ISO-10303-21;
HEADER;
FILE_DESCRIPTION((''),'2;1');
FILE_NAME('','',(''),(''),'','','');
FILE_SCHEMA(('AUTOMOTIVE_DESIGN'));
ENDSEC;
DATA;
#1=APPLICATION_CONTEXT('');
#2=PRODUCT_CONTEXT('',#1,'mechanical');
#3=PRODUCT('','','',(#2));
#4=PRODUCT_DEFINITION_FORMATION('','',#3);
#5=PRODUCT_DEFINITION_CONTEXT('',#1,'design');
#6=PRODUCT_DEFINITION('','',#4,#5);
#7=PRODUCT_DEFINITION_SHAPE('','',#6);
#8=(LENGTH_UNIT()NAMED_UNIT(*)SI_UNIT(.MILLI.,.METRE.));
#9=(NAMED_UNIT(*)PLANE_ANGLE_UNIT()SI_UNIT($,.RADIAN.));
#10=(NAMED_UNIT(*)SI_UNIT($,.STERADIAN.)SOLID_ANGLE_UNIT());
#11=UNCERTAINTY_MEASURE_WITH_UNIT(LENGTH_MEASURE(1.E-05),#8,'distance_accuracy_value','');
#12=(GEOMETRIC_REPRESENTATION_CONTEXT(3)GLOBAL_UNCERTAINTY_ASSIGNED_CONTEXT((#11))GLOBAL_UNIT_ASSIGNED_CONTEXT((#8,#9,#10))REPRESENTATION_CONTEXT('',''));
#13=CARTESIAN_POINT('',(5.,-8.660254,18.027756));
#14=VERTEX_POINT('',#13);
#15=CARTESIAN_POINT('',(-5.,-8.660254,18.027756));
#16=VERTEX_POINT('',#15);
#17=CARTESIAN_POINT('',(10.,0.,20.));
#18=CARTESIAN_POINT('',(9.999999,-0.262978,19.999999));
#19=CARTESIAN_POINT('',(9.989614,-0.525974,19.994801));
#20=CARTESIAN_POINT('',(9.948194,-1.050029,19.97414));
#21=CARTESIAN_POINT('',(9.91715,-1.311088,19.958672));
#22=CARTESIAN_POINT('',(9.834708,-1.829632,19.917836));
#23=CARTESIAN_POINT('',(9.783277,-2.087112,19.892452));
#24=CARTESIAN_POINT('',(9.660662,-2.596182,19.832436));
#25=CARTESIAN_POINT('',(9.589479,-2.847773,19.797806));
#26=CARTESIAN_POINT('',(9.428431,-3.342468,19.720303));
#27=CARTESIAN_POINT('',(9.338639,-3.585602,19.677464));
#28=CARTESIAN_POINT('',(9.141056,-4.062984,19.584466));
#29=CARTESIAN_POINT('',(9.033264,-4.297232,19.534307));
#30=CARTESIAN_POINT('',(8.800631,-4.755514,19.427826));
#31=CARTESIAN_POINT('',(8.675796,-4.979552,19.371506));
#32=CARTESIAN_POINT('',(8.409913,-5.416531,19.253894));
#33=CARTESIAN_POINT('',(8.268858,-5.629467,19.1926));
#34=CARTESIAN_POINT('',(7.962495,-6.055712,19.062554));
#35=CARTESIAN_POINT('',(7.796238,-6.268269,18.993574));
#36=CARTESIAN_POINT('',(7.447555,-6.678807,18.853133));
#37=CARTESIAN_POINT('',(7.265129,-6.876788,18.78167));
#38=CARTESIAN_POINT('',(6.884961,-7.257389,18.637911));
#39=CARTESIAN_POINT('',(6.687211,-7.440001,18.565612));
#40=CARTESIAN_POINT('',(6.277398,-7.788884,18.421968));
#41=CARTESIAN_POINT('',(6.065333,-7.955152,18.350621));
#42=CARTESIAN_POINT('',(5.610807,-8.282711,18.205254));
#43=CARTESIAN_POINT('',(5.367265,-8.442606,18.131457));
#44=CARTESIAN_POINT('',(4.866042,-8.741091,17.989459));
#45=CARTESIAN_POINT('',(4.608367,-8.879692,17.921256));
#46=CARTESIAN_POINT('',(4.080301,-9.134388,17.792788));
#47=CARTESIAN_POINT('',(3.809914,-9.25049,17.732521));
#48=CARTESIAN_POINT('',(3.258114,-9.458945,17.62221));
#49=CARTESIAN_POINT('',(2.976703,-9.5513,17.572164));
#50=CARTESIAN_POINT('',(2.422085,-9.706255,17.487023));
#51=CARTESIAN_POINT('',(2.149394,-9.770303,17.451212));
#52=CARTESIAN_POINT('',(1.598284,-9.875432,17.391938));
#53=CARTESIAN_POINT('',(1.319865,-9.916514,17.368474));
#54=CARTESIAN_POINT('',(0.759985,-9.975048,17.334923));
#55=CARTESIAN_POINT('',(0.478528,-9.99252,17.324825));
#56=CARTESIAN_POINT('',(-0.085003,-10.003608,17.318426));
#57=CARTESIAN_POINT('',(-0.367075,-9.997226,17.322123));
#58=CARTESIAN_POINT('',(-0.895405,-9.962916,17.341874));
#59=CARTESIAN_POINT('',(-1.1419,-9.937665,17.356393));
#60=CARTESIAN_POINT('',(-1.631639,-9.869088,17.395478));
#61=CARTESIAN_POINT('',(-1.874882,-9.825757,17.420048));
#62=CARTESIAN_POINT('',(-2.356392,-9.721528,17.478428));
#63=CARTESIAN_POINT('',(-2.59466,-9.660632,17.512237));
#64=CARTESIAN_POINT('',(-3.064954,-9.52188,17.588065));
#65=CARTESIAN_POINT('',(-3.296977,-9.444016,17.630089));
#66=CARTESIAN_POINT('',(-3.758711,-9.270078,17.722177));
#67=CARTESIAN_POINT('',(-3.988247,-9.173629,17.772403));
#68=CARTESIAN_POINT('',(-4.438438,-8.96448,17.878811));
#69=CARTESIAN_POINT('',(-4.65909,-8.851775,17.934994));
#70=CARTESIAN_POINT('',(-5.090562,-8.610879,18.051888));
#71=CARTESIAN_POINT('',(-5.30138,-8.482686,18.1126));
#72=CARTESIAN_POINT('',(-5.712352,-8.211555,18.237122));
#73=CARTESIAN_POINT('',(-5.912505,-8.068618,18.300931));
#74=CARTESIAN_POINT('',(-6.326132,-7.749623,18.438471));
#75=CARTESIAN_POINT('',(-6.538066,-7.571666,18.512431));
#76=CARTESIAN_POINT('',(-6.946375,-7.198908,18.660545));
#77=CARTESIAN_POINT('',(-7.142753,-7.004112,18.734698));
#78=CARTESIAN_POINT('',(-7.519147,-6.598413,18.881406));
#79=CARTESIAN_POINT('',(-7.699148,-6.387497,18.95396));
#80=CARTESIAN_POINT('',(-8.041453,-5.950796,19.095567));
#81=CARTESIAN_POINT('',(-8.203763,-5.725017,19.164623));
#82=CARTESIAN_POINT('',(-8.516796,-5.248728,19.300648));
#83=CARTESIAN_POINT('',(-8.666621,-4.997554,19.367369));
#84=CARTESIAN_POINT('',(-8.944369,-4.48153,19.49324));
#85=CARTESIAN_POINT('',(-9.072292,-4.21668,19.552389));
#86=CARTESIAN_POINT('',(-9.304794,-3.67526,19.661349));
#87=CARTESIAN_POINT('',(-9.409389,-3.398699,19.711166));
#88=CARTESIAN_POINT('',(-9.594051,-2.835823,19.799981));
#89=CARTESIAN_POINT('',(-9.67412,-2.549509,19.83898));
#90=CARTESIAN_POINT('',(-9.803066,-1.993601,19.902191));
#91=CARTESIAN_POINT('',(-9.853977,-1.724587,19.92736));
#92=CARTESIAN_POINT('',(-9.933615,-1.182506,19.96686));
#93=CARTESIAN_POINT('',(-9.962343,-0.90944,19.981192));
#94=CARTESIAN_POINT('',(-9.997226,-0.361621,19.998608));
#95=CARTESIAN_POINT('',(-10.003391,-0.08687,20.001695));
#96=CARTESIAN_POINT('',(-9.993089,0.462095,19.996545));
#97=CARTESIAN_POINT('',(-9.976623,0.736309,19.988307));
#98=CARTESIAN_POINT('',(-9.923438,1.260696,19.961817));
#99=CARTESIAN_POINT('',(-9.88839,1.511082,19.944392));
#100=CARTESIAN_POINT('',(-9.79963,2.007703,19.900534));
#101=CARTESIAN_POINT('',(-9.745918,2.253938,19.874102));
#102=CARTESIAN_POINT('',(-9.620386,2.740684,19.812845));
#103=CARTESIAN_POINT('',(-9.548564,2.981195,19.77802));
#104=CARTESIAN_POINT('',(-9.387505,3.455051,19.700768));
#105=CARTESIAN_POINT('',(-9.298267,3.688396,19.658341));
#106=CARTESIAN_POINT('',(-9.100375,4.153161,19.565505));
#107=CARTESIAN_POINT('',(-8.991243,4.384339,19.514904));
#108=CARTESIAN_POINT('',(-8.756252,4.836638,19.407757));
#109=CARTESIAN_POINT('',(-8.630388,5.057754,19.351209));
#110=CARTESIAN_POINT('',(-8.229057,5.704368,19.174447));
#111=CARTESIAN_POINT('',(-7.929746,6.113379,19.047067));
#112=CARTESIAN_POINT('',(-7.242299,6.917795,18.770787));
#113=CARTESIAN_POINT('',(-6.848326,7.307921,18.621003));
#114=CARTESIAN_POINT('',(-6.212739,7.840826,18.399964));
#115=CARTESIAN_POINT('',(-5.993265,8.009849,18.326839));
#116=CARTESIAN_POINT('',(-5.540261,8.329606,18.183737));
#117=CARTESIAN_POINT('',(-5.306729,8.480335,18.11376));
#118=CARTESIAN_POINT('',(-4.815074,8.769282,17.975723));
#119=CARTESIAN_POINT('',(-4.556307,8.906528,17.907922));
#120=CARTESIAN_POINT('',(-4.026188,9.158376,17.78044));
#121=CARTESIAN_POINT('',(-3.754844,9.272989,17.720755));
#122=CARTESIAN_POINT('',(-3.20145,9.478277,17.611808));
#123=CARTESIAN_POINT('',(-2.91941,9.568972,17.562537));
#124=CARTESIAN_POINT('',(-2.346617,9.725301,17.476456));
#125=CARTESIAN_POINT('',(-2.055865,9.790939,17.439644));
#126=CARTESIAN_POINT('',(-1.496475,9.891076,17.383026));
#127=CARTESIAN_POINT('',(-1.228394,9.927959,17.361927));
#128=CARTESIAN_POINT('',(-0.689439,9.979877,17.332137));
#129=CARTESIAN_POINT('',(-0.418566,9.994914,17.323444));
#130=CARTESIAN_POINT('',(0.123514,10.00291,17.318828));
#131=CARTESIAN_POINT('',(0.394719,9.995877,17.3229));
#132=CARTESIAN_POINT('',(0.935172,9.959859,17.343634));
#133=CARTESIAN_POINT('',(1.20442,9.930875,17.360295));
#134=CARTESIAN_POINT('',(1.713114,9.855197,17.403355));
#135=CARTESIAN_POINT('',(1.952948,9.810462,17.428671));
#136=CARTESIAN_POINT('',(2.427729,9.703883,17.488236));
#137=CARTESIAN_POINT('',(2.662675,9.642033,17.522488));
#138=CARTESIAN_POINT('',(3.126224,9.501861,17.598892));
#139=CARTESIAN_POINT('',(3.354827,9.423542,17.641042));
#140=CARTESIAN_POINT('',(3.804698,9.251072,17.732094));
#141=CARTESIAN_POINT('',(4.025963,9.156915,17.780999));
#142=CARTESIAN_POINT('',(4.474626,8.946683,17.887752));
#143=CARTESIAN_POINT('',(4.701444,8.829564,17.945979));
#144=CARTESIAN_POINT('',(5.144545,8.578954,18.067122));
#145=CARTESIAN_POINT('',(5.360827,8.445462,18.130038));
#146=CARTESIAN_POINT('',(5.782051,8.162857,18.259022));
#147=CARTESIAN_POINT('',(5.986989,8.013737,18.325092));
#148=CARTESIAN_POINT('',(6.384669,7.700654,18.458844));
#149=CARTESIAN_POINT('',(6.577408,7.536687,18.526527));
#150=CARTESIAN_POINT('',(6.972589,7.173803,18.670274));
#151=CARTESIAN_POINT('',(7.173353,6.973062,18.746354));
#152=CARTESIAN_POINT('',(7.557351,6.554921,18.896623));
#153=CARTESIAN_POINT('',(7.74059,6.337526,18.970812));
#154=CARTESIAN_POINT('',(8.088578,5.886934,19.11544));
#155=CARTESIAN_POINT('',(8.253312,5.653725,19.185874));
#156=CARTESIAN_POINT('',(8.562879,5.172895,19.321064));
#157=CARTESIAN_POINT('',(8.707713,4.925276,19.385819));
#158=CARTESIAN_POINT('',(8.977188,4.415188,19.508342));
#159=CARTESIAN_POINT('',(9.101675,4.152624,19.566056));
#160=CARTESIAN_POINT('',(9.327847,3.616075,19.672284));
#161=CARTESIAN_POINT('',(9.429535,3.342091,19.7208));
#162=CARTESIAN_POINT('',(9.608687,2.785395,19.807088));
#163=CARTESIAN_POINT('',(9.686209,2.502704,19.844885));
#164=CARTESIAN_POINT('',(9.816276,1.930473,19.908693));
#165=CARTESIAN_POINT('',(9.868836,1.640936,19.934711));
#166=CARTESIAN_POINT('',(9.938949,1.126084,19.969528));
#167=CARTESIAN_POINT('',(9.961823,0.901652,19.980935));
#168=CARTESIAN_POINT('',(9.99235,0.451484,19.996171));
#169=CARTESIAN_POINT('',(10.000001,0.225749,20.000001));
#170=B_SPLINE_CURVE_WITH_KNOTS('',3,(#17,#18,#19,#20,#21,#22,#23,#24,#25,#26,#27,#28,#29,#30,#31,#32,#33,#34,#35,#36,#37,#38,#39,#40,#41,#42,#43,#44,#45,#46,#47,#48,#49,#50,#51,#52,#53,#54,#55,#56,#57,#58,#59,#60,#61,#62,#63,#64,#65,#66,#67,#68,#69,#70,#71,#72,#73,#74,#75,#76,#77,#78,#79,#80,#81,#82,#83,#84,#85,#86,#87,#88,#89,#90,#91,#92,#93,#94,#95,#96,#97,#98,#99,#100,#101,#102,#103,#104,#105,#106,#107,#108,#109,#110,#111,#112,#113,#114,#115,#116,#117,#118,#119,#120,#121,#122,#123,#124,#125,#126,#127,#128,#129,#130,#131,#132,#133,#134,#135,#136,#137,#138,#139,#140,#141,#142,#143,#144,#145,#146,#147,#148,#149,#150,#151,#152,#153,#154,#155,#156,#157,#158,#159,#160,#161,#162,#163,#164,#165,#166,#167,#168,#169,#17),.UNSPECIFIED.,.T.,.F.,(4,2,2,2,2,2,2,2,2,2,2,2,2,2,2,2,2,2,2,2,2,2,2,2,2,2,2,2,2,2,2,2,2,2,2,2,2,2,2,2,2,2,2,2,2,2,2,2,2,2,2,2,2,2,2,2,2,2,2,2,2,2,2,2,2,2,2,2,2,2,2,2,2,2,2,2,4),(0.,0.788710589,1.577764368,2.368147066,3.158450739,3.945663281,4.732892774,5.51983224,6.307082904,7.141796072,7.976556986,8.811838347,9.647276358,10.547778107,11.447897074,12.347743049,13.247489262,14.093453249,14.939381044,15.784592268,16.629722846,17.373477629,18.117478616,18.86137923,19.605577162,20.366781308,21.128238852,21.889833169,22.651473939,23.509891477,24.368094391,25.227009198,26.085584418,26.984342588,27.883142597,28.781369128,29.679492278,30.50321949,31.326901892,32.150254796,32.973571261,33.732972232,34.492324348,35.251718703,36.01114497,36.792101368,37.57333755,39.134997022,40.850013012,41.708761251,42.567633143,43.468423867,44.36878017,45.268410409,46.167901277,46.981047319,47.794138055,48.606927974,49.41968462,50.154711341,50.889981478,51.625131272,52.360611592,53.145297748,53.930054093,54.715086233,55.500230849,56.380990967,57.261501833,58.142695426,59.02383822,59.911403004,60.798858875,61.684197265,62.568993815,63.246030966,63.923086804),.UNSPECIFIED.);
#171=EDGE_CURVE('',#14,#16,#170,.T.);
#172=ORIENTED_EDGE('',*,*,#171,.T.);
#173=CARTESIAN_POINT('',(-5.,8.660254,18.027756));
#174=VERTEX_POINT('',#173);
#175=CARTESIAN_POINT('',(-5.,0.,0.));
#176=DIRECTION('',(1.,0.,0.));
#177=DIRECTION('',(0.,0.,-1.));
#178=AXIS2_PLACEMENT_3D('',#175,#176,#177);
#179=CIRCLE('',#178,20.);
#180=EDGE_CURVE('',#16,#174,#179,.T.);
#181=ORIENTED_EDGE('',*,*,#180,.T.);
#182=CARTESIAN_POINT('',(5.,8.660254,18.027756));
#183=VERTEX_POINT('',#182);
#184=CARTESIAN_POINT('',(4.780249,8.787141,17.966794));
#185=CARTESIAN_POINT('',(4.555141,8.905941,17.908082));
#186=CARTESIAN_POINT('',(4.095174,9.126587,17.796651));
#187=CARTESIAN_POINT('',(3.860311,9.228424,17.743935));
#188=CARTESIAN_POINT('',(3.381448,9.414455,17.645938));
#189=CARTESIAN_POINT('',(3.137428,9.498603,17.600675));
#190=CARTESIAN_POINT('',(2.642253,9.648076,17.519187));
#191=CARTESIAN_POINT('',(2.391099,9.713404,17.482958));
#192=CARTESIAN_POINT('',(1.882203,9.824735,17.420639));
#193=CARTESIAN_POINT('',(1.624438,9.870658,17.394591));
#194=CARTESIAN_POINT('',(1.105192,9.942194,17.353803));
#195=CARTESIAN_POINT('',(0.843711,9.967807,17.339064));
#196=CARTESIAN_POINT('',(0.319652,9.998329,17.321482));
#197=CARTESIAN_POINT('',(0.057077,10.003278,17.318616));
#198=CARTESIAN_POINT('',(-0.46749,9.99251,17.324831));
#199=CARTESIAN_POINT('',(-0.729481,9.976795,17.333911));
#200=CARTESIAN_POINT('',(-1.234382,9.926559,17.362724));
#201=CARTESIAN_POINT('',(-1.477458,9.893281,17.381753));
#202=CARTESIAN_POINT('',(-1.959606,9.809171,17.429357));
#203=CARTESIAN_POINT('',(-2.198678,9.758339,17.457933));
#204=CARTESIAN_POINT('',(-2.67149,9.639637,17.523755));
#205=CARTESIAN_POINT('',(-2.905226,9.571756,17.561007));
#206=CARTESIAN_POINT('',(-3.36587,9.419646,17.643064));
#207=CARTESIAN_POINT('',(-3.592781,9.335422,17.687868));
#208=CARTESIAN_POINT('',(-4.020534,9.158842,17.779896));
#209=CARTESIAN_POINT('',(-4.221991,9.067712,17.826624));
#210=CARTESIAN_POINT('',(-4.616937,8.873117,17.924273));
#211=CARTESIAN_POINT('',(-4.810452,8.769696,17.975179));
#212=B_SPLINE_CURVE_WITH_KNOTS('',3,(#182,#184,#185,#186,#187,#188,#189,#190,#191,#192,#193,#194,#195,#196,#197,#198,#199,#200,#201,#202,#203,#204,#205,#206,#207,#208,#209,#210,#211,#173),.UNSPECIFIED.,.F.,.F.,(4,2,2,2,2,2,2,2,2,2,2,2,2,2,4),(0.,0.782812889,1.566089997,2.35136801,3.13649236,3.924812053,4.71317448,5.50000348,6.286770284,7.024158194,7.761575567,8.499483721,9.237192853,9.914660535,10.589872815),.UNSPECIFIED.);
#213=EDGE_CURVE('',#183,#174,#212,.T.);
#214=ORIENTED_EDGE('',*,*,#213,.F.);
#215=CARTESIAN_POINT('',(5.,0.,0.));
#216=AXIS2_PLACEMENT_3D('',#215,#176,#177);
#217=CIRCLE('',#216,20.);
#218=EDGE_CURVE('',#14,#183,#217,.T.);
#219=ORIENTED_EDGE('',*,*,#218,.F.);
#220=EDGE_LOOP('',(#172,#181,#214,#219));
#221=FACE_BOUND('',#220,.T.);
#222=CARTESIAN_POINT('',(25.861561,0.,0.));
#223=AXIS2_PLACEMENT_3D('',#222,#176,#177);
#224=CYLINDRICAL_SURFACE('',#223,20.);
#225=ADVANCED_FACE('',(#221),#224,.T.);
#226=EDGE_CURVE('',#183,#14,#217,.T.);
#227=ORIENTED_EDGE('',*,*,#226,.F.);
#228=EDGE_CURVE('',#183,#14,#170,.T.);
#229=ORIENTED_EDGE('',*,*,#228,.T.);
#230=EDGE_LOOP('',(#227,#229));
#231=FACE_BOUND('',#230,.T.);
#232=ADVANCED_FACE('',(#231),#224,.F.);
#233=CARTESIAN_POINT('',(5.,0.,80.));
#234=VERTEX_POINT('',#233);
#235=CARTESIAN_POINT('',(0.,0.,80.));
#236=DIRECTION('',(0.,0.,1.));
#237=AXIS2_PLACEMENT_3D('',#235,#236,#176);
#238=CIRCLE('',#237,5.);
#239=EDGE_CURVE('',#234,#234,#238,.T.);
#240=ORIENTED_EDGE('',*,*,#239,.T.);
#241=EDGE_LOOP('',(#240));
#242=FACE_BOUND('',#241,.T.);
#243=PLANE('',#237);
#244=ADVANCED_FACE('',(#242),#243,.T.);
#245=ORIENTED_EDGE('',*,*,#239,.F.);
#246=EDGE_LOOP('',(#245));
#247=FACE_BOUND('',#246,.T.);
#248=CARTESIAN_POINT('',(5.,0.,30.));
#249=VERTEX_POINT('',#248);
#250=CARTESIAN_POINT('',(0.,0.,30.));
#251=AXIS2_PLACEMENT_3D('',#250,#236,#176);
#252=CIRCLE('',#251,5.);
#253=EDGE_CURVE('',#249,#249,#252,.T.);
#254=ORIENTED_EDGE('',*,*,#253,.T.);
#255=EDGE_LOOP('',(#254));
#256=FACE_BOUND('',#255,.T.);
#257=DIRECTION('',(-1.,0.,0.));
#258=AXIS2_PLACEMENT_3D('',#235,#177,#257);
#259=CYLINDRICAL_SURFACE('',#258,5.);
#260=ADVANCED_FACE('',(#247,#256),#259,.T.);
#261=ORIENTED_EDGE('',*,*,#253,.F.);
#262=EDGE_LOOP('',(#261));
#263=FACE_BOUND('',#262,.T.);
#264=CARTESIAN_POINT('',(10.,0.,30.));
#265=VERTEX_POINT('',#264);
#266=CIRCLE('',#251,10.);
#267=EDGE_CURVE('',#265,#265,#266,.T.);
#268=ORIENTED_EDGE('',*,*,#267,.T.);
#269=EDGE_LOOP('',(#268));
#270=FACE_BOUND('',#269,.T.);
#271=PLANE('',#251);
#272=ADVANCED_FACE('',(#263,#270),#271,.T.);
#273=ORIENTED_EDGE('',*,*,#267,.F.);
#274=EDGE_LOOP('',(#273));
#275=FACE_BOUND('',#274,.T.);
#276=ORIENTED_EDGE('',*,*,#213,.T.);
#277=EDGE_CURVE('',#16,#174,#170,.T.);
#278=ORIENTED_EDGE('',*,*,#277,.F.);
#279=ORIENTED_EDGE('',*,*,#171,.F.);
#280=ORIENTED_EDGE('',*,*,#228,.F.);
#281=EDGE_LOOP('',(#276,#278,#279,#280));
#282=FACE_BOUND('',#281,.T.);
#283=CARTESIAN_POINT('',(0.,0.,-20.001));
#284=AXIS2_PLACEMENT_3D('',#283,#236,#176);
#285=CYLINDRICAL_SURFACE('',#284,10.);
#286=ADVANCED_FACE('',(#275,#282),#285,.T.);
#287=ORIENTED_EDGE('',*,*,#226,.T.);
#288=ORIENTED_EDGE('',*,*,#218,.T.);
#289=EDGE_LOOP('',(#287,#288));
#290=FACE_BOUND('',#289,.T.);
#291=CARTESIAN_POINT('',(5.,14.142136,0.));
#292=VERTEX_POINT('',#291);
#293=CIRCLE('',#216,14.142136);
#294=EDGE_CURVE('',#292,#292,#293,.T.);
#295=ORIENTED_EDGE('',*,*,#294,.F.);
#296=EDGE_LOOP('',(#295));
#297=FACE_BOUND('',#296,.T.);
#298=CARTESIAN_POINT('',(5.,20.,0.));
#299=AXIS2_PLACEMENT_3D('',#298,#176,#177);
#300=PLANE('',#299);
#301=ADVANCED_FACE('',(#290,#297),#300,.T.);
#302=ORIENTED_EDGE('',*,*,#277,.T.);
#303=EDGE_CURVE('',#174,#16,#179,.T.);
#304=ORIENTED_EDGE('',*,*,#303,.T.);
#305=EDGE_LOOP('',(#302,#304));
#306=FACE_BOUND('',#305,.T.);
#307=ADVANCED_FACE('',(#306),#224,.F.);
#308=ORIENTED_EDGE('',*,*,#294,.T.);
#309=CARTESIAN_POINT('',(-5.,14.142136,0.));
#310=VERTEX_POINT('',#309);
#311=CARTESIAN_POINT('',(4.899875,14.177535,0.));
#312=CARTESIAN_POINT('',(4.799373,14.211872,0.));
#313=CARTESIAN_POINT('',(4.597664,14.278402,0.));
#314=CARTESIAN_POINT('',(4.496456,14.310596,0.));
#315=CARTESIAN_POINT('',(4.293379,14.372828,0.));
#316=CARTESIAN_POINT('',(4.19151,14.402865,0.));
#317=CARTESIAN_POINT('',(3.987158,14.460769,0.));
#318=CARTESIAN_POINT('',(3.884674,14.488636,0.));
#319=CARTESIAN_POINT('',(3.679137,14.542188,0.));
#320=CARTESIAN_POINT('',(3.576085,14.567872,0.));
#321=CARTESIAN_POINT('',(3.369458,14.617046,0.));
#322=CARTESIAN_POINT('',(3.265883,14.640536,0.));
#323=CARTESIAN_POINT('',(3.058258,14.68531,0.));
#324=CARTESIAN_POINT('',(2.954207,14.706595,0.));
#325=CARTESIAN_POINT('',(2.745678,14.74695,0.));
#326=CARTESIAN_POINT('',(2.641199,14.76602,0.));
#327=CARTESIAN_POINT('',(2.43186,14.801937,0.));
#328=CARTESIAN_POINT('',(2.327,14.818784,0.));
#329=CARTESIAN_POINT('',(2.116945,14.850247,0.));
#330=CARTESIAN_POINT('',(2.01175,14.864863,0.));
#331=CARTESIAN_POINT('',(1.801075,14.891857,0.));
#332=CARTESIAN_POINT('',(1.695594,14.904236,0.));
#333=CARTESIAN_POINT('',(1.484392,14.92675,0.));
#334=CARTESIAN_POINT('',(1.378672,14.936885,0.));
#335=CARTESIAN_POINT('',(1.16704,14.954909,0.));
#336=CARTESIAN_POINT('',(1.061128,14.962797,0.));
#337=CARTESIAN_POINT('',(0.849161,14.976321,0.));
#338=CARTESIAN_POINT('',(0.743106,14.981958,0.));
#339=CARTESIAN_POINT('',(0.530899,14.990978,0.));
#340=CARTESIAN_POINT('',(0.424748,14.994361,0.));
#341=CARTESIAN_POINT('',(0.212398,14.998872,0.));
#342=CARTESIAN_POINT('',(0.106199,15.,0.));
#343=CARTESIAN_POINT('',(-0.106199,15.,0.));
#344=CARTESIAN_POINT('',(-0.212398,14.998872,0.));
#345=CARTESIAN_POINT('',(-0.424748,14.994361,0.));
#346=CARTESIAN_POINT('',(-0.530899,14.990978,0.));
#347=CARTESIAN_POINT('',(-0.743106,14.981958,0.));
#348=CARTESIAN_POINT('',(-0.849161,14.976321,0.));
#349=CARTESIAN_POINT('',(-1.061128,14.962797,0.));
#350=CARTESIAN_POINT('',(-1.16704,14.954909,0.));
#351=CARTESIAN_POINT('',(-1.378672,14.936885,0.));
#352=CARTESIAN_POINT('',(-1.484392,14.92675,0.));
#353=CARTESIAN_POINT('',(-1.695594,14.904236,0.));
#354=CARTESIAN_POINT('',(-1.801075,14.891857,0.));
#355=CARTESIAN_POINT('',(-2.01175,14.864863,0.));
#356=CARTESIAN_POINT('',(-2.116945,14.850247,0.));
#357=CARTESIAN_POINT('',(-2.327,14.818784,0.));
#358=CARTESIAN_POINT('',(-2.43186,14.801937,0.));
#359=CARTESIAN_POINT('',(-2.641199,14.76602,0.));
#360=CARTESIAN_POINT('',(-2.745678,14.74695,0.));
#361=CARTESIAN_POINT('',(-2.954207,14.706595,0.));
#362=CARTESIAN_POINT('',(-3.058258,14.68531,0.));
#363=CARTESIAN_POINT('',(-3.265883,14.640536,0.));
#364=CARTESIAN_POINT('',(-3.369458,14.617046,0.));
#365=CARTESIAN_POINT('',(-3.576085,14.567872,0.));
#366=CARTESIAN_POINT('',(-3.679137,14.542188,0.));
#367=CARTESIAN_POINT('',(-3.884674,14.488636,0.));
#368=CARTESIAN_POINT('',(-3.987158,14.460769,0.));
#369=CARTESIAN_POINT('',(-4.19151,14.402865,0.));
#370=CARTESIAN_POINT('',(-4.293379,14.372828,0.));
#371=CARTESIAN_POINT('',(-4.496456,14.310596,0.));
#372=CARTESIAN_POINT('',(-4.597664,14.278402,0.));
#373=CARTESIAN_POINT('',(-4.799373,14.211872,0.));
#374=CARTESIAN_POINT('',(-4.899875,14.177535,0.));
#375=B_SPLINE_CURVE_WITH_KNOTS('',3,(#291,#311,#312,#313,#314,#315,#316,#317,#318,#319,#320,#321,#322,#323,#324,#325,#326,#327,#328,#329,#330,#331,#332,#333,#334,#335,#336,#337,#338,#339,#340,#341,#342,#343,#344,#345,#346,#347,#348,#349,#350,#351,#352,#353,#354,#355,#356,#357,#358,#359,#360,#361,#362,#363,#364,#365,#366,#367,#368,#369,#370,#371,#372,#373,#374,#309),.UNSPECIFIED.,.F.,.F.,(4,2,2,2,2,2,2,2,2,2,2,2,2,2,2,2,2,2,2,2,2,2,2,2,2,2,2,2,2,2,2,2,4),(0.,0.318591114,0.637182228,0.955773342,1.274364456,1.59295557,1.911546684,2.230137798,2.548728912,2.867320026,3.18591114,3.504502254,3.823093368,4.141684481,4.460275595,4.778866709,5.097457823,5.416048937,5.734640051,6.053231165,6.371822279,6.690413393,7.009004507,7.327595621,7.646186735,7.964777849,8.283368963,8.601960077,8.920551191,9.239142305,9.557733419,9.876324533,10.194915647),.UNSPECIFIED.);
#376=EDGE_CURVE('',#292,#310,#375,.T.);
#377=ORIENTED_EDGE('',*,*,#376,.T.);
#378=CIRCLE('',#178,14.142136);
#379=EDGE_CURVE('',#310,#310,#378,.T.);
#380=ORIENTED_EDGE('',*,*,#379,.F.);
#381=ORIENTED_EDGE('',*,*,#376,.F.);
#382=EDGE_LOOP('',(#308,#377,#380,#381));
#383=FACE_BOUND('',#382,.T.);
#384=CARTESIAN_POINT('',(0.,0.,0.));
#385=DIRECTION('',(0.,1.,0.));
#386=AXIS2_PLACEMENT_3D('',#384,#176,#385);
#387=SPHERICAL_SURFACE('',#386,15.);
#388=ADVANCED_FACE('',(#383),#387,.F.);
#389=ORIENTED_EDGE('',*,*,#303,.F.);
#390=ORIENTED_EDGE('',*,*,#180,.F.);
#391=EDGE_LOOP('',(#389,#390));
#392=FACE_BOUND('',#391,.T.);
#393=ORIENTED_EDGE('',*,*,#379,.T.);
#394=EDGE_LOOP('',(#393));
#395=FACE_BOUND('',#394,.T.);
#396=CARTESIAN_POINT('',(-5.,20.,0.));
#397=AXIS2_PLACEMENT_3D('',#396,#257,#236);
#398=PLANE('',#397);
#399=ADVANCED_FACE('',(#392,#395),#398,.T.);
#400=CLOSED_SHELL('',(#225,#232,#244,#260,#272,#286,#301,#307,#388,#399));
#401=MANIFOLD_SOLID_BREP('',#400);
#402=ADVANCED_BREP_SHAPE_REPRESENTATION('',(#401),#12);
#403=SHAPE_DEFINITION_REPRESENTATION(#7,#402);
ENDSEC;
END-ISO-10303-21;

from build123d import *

# Parameters (mm, degrees)
BOSS_EXTRUDE1_REACH      = 56.083
BOSS_EXTRUDE1_END_RADIUS = 20
SKETCH2_R                = 10
SKETCH3_R                = 5
BOSS_EXTRUDE2_DEPTH      = 50


with BuildPart() as part:
    # Sketch1 → Revolve1 (revolve)
    with BuildSketch(Plane.XY):
        with BuildLine():
            Line((-5, 20), (5, 20))
            Line((5, 20), (5, 14.142135624))
            ThreePointArc((5, 14.142135624), (0, 15), (-5, 14.142135624))
            Line((-5, 14.142135624), (-5, 20))
        make_face()
    revolve(axis=Axis((25.861561119, 0, 0), (-1, 0, 0)))

    # Boss-Extrude1: up to this cylinder (the profile starts outside it)
    boss_extrude1_end = Plane(origin=(0, 0, 0), z_dir=(1, 0, 0)) * Cylinder(BOSS_EXTRUDE1_END_RADIUS, 153.166, mode=Mode.PRIVATE)
    # Sketch2 → Boss-Extrude1 (add, up to the surface)
    with BuildSketch(Plane.XY.offset(30), mode=Mode.PRIVATE) as boss_extrude1_sk1:
        Circle(SKETCH2_R)
    boss_extrude1_tool1 = extrude(boss_extrude1_sk1.sketch, amount=-BOSS_EXTRUDE1_REACH, mode=Mode.PRIVATE) - boss_extrude1_end
    add(boss_extrude1_tool1.solids().sort_by_distance((0, 0, 30))[0])

    # Sketch3 → Boss-Extrude2 (add)
    with BuildSketch(Plane.XY.offset(30)):
        Circle(SKETCH3_R)
    extrude(amount=BOSS_EXTRUDE2_DEPTH)


solid = part.part
